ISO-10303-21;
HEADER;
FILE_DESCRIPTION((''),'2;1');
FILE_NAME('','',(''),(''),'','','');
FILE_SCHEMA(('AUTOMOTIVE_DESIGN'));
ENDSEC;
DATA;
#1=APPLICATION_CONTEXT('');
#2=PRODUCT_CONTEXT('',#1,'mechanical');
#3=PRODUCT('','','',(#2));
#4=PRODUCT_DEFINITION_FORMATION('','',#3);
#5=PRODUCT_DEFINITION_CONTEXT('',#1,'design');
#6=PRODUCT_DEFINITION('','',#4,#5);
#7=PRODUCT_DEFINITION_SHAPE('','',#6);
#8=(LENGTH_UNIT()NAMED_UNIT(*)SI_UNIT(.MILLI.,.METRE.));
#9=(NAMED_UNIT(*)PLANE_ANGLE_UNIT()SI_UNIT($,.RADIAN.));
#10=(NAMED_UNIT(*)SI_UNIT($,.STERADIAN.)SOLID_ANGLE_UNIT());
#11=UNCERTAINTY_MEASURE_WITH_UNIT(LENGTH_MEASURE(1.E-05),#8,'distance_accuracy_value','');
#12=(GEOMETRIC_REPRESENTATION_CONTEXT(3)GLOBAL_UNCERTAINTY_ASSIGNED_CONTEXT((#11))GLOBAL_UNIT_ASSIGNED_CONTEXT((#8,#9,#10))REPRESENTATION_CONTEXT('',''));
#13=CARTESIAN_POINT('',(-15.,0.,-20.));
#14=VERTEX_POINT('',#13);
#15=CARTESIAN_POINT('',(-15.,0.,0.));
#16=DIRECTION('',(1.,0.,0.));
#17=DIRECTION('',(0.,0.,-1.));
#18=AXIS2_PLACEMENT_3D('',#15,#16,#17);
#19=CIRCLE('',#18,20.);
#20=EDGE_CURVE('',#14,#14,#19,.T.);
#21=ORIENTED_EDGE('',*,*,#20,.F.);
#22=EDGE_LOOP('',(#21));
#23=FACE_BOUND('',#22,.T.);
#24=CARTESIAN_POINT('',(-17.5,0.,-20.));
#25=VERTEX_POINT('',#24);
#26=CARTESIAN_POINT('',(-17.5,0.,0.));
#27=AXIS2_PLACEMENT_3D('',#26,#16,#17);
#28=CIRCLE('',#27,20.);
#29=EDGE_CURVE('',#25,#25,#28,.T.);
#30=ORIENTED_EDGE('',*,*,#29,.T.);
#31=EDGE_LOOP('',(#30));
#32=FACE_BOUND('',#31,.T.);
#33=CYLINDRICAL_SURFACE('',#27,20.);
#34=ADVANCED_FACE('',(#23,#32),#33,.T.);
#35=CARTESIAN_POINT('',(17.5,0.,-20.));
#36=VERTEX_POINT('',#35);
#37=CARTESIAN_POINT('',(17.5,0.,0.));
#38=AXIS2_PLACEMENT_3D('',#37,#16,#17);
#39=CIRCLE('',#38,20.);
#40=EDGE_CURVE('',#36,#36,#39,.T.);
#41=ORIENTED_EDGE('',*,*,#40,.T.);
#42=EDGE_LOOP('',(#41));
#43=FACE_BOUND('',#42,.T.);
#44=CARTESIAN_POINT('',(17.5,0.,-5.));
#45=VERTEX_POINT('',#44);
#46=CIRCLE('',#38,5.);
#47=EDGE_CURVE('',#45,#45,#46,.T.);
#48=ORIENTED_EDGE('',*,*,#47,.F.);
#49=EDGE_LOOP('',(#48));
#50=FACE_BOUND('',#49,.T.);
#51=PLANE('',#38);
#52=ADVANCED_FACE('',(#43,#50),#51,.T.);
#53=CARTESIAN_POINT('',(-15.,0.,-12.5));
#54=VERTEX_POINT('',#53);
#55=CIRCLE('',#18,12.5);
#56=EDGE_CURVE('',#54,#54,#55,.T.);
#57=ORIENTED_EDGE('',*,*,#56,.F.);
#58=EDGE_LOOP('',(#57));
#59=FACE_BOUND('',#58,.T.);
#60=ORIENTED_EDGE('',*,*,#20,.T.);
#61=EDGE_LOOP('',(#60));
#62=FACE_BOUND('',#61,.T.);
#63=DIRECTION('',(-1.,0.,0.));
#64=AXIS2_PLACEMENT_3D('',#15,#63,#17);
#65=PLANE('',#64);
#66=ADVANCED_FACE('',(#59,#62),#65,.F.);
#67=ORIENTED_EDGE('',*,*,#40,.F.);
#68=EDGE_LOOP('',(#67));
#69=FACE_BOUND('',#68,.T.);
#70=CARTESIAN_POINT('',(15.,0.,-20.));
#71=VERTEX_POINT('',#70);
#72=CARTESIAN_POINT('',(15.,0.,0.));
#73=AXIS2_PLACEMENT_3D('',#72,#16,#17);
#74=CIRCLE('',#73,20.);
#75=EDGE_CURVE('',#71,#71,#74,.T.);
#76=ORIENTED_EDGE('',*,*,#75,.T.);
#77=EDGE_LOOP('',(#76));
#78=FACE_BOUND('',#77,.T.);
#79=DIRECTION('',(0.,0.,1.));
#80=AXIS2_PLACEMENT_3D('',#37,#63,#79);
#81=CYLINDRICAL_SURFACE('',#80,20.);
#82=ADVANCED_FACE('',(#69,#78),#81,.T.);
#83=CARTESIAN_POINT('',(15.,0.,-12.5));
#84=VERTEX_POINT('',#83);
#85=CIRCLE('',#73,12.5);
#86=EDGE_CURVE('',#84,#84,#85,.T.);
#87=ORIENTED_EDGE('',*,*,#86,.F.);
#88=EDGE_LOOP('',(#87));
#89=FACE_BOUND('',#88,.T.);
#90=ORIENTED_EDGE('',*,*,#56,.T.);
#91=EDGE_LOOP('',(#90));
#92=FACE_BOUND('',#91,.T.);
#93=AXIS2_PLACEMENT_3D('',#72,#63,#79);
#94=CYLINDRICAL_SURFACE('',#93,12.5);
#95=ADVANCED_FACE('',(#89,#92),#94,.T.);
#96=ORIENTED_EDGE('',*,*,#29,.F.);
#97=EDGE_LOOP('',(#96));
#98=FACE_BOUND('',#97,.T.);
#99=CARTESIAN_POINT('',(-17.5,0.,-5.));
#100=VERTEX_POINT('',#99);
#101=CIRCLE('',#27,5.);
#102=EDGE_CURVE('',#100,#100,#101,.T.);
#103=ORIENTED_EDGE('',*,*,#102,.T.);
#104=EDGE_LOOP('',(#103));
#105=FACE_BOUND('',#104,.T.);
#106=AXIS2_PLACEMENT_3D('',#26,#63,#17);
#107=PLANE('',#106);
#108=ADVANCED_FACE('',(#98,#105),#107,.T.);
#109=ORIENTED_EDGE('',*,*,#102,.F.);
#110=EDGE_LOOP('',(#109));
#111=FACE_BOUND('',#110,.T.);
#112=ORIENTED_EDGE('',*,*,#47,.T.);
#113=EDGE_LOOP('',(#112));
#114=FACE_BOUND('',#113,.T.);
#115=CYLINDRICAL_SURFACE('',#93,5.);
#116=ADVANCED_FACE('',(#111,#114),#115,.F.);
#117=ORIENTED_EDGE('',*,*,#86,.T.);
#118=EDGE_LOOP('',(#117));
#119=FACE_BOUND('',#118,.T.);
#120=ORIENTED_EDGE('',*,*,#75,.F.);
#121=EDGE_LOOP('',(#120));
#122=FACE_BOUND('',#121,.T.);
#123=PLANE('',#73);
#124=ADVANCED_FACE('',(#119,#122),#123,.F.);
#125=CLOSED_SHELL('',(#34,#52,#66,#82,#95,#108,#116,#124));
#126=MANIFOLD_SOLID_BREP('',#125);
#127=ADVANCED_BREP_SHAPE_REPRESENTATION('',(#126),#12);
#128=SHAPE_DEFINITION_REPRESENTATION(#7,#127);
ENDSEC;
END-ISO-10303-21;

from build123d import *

# Parameters (mm, degrees)
SKETCH1_R               = 12.5
SKETCH1_R_2             = 5
BOSS_EXTRUDE1_DEPTH     = 15
SKETCH2_R               = 20
BOSS_EXTRUDE2_DEPTH     = 2.5
CUT_EXTRUDE1_DEPTH      = 46
CUT_EXTRUDE1_DEPTH_BACK = 46
SKETCH3_R               = 5


with BuildPart() as part:
    # Sketch1 → Boss-Extrude1 (new, symmetric)
    with BuildSketch(Plane(origin=(0, 0, 0), x_dir=(0, 0, -1), z_dir=(1, 0, 0))):
        Circle(SKETCH1_R)
        Circle(SKETCH1_R_2, mode=Mode.SUBTRACT)
    extrude(amount=BOSS_EXTRUDE1_DEPTH, both=True)

    # Sketch2 → Boss-Extrude2 (add)
    with BuildSketch(Plane(origin=(15, 0, 0), x_dir=(0, 0, -1), z_dir=(1, 0, 0))):
        Circle(SKETCH2_R)
    boss_extrude2 = extrude(amount=BOSS_EXTRUDE2_DEPTH)

    # Mirror1: Boss-Extrude2 across plane
    add(boss_extrude2.mirror(Plane(origin=(0, 0, 0), x_dir=(0, 0, 1), z_dir=(1, 0, 0))))

    # Sketch3 → Cut-Extrude1 (cut, two sides: drawn at the far end of the back side and taken through both)
    with BuildSketch(Plane(origin=(17.5, 0, 0), x_dir=(0, 0, -1), z_dir=(1, 0, 0)).offset(-CUT_EXTRUDE1_DEPTH_BACK)):
        Circle(SKETCH3_R)
    extrude(amount=CUT_EXTRUDE1_DEPTH + CUT_EXTRUDE1_DEPTH_BACK, mode=Mode.SUBTRACT)


solid = part.part
